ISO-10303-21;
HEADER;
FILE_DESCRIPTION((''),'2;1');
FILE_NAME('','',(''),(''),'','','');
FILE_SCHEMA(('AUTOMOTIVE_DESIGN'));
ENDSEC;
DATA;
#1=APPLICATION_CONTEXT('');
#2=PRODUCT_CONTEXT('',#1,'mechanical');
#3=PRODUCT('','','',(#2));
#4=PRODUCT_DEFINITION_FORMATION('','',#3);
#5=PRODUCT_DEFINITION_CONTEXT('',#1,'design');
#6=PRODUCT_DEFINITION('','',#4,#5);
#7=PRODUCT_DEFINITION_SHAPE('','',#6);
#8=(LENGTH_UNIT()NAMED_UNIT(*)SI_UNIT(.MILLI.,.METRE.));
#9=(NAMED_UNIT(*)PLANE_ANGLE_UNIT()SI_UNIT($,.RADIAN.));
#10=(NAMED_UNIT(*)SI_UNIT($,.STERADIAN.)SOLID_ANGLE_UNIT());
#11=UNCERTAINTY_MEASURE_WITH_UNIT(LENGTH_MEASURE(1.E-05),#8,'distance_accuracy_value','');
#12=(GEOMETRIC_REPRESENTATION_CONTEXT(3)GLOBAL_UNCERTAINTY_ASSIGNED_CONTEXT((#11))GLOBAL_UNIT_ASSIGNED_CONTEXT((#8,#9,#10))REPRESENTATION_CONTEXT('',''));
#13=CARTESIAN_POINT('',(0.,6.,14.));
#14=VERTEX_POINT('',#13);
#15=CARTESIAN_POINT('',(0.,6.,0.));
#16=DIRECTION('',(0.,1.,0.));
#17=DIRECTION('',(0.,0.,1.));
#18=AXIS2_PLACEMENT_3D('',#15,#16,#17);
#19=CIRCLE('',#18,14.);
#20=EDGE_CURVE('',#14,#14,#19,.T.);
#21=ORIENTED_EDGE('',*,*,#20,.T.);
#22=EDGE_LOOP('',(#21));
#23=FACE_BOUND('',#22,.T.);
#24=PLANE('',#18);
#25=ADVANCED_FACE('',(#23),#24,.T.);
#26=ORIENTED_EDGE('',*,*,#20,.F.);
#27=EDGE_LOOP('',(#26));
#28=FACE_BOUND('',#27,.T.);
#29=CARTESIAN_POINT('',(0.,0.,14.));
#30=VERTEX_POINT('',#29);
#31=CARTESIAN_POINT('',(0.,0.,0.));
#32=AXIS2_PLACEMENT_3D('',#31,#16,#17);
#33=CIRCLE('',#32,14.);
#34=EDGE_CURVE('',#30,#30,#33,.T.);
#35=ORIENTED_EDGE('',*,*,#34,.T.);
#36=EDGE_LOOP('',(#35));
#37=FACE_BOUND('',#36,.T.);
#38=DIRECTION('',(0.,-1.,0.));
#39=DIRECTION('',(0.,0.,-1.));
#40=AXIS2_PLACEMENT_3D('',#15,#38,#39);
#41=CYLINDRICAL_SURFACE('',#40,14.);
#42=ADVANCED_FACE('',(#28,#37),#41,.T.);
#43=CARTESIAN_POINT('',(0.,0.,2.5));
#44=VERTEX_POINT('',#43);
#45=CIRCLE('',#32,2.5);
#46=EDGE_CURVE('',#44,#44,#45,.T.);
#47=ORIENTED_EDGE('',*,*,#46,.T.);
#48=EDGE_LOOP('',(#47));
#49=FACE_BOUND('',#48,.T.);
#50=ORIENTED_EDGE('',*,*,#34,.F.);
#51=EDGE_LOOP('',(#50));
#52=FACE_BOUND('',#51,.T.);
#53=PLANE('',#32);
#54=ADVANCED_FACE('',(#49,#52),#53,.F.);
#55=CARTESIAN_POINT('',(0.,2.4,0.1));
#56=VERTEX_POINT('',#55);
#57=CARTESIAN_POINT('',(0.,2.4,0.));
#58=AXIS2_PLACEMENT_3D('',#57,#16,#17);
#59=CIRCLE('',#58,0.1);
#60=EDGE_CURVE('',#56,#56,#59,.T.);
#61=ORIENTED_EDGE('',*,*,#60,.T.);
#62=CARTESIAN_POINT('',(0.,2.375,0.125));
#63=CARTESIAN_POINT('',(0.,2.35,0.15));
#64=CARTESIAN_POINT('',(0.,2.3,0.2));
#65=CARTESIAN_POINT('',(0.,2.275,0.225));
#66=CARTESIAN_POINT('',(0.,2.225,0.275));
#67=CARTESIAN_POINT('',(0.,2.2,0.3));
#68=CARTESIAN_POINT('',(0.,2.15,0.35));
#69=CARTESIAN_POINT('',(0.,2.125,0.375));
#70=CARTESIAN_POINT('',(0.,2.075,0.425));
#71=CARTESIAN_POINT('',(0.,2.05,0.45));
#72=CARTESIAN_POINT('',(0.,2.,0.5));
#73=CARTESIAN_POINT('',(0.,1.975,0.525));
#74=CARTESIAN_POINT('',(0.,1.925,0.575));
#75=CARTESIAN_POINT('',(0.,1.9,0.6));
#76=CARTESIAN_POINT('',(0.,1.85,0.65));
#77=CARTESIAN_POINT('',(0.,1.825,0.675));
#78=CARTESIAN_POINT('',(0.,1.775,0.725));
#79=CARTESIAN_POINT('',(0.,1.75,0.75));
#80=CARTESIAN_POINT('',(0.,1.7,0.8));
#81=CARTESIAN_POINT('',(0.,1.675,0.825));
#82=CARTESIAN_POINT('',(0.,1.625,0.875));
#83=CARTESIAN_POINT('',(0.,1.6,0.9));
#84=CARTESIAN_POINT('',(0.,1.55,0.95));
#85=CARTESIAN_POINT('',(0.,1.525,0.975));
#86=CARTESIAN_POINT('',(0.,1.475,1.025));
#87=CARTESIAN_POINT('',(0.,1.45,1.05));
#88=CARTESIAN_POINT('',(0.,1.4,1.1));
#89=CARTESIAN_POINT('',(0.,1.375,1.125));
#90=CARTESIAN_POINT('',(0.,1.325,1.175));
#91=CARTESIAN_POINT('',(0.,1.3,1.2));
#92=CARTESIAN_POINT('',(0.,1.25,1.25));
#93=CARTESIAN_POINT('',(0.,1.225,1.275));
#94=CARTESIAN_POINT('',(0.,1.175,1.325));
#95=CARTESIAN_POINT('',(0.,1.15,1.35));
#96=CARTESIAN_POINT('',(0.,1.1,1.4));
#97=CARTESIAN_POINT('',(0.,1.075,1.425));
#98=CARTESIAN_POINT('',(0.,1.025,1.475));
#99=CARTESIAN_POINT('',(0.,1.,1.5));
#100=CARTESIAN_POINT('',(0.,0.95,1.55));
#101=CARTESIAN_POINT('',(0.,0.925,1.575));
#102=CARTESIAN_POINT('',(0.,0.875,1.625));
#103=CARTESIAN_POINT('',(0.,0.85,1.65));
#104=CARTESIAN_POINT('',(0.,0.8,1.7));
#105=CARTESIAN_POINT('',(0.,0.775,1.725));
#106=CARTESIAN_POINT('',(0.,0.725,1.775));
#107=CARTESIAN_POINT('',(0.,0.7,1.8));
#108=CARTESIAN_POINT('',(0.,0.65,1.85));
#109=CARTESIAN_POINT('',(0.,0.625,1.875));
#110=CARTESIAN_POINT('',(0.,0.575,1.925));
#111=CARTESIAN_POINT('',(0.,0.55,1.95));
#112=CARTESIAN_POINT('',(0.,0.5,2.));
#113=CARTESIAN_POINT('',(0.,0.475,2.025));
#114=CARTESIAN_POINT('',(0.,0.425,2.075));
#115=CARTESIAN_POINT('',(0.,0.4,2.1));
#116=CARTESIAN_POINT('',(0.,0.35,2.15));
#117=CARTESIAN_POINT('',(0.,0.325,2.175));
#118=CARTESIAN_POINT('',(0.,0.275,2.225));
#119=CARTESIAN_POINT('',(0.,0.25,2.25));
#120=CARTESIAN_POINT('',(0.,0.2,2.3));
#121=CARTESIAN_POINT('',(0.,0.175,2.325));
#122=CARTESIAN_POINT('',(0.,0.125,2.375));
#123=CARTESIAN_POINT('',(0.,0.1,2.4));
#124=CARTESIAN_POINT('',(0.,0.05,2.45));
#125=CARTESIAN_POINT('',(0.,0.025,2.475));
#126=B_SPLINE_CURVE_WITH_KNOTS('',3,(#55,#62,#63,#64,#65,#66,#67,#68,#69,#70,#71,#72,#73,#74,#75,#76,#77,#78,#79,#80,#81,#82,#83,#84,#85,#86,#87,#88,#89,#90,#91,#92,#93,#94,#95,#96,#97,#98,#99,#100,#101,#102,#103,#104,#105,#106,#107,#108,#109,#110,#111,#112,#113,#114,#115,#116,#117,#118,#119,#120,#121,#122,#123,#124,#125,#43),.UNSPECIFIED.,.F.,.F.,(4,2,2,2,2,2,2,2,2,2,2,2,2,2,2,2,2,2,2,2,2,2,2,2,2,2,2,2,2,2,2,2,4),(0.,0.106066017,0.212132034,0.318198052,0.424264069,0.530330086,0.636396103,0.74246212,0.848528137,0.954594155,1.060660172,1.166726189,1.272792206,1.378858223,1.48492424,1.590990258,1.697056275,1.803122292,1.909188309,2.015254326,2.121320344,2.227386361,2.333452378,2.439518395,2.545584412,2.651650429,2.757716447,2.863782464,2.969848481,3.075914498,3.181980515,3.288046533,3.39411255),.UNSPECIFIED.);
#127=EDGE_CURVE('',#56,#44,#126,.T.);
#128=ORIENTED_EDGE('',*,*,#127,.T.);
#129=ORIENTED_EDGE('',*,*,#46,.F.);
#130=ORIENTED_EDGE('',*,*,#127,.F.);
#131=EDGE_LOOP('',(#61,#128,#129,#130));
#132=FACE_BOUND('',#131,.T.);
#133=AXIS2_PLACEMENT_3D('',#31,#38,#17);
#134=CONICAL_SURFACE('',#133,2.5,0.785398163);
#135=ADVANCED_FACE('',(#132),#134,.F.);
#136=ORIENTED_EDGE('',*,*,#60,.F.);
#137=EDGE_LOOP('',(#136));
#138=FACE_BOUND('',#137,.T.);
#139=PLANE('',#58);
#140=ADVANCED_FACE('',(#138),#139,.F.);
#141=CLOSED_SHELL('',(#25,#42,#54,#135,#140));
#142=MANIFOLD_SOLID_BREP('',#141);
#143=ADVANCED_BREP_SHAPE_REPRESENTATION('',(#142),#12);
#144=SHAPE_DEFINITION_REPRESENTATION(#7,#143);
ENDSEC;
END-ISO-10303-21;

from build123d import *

# Parameters (mm, degrees)
SKETCH1_R           = 14
BOSS_EXTRUDE1_DEPTH = 6
SKETCH2_R           = 2.5
CUT_EXTRUDE1_DEPTH  = 2.4
CUT_EXTRUDE1_TAPER  = 45


with BuildPart() as part:
    # Sketch1 → Boss-Extrude1 (new body)
    with BuildSketch(Plane(origin=(0, 0, 0), x_dir=(1, 0, 0), z_dir=(0, 1, 0))):
        with Locations(Location((0, 0, 0), (0, 0, 270))):
            Circle(SKETCH1_R)
    extrude(amount=BOSS_EXTRUDE1_DEPTH)

    # Sketch2 → Cut-Extrude1 (cut)
    with BuildSketch(Plane(origin=(0, 0, 0), x_dir=(1, 0, 0), z_dir=(0, 1, 0))):
        Circle(SKETCH2_R)
    extrude(amount=CUT_EXTRUDE1_DEPTH, taper=CUT_EXTRUDE1_TAPER, mode=Mode.SUBTRACT)


solid = part.part
